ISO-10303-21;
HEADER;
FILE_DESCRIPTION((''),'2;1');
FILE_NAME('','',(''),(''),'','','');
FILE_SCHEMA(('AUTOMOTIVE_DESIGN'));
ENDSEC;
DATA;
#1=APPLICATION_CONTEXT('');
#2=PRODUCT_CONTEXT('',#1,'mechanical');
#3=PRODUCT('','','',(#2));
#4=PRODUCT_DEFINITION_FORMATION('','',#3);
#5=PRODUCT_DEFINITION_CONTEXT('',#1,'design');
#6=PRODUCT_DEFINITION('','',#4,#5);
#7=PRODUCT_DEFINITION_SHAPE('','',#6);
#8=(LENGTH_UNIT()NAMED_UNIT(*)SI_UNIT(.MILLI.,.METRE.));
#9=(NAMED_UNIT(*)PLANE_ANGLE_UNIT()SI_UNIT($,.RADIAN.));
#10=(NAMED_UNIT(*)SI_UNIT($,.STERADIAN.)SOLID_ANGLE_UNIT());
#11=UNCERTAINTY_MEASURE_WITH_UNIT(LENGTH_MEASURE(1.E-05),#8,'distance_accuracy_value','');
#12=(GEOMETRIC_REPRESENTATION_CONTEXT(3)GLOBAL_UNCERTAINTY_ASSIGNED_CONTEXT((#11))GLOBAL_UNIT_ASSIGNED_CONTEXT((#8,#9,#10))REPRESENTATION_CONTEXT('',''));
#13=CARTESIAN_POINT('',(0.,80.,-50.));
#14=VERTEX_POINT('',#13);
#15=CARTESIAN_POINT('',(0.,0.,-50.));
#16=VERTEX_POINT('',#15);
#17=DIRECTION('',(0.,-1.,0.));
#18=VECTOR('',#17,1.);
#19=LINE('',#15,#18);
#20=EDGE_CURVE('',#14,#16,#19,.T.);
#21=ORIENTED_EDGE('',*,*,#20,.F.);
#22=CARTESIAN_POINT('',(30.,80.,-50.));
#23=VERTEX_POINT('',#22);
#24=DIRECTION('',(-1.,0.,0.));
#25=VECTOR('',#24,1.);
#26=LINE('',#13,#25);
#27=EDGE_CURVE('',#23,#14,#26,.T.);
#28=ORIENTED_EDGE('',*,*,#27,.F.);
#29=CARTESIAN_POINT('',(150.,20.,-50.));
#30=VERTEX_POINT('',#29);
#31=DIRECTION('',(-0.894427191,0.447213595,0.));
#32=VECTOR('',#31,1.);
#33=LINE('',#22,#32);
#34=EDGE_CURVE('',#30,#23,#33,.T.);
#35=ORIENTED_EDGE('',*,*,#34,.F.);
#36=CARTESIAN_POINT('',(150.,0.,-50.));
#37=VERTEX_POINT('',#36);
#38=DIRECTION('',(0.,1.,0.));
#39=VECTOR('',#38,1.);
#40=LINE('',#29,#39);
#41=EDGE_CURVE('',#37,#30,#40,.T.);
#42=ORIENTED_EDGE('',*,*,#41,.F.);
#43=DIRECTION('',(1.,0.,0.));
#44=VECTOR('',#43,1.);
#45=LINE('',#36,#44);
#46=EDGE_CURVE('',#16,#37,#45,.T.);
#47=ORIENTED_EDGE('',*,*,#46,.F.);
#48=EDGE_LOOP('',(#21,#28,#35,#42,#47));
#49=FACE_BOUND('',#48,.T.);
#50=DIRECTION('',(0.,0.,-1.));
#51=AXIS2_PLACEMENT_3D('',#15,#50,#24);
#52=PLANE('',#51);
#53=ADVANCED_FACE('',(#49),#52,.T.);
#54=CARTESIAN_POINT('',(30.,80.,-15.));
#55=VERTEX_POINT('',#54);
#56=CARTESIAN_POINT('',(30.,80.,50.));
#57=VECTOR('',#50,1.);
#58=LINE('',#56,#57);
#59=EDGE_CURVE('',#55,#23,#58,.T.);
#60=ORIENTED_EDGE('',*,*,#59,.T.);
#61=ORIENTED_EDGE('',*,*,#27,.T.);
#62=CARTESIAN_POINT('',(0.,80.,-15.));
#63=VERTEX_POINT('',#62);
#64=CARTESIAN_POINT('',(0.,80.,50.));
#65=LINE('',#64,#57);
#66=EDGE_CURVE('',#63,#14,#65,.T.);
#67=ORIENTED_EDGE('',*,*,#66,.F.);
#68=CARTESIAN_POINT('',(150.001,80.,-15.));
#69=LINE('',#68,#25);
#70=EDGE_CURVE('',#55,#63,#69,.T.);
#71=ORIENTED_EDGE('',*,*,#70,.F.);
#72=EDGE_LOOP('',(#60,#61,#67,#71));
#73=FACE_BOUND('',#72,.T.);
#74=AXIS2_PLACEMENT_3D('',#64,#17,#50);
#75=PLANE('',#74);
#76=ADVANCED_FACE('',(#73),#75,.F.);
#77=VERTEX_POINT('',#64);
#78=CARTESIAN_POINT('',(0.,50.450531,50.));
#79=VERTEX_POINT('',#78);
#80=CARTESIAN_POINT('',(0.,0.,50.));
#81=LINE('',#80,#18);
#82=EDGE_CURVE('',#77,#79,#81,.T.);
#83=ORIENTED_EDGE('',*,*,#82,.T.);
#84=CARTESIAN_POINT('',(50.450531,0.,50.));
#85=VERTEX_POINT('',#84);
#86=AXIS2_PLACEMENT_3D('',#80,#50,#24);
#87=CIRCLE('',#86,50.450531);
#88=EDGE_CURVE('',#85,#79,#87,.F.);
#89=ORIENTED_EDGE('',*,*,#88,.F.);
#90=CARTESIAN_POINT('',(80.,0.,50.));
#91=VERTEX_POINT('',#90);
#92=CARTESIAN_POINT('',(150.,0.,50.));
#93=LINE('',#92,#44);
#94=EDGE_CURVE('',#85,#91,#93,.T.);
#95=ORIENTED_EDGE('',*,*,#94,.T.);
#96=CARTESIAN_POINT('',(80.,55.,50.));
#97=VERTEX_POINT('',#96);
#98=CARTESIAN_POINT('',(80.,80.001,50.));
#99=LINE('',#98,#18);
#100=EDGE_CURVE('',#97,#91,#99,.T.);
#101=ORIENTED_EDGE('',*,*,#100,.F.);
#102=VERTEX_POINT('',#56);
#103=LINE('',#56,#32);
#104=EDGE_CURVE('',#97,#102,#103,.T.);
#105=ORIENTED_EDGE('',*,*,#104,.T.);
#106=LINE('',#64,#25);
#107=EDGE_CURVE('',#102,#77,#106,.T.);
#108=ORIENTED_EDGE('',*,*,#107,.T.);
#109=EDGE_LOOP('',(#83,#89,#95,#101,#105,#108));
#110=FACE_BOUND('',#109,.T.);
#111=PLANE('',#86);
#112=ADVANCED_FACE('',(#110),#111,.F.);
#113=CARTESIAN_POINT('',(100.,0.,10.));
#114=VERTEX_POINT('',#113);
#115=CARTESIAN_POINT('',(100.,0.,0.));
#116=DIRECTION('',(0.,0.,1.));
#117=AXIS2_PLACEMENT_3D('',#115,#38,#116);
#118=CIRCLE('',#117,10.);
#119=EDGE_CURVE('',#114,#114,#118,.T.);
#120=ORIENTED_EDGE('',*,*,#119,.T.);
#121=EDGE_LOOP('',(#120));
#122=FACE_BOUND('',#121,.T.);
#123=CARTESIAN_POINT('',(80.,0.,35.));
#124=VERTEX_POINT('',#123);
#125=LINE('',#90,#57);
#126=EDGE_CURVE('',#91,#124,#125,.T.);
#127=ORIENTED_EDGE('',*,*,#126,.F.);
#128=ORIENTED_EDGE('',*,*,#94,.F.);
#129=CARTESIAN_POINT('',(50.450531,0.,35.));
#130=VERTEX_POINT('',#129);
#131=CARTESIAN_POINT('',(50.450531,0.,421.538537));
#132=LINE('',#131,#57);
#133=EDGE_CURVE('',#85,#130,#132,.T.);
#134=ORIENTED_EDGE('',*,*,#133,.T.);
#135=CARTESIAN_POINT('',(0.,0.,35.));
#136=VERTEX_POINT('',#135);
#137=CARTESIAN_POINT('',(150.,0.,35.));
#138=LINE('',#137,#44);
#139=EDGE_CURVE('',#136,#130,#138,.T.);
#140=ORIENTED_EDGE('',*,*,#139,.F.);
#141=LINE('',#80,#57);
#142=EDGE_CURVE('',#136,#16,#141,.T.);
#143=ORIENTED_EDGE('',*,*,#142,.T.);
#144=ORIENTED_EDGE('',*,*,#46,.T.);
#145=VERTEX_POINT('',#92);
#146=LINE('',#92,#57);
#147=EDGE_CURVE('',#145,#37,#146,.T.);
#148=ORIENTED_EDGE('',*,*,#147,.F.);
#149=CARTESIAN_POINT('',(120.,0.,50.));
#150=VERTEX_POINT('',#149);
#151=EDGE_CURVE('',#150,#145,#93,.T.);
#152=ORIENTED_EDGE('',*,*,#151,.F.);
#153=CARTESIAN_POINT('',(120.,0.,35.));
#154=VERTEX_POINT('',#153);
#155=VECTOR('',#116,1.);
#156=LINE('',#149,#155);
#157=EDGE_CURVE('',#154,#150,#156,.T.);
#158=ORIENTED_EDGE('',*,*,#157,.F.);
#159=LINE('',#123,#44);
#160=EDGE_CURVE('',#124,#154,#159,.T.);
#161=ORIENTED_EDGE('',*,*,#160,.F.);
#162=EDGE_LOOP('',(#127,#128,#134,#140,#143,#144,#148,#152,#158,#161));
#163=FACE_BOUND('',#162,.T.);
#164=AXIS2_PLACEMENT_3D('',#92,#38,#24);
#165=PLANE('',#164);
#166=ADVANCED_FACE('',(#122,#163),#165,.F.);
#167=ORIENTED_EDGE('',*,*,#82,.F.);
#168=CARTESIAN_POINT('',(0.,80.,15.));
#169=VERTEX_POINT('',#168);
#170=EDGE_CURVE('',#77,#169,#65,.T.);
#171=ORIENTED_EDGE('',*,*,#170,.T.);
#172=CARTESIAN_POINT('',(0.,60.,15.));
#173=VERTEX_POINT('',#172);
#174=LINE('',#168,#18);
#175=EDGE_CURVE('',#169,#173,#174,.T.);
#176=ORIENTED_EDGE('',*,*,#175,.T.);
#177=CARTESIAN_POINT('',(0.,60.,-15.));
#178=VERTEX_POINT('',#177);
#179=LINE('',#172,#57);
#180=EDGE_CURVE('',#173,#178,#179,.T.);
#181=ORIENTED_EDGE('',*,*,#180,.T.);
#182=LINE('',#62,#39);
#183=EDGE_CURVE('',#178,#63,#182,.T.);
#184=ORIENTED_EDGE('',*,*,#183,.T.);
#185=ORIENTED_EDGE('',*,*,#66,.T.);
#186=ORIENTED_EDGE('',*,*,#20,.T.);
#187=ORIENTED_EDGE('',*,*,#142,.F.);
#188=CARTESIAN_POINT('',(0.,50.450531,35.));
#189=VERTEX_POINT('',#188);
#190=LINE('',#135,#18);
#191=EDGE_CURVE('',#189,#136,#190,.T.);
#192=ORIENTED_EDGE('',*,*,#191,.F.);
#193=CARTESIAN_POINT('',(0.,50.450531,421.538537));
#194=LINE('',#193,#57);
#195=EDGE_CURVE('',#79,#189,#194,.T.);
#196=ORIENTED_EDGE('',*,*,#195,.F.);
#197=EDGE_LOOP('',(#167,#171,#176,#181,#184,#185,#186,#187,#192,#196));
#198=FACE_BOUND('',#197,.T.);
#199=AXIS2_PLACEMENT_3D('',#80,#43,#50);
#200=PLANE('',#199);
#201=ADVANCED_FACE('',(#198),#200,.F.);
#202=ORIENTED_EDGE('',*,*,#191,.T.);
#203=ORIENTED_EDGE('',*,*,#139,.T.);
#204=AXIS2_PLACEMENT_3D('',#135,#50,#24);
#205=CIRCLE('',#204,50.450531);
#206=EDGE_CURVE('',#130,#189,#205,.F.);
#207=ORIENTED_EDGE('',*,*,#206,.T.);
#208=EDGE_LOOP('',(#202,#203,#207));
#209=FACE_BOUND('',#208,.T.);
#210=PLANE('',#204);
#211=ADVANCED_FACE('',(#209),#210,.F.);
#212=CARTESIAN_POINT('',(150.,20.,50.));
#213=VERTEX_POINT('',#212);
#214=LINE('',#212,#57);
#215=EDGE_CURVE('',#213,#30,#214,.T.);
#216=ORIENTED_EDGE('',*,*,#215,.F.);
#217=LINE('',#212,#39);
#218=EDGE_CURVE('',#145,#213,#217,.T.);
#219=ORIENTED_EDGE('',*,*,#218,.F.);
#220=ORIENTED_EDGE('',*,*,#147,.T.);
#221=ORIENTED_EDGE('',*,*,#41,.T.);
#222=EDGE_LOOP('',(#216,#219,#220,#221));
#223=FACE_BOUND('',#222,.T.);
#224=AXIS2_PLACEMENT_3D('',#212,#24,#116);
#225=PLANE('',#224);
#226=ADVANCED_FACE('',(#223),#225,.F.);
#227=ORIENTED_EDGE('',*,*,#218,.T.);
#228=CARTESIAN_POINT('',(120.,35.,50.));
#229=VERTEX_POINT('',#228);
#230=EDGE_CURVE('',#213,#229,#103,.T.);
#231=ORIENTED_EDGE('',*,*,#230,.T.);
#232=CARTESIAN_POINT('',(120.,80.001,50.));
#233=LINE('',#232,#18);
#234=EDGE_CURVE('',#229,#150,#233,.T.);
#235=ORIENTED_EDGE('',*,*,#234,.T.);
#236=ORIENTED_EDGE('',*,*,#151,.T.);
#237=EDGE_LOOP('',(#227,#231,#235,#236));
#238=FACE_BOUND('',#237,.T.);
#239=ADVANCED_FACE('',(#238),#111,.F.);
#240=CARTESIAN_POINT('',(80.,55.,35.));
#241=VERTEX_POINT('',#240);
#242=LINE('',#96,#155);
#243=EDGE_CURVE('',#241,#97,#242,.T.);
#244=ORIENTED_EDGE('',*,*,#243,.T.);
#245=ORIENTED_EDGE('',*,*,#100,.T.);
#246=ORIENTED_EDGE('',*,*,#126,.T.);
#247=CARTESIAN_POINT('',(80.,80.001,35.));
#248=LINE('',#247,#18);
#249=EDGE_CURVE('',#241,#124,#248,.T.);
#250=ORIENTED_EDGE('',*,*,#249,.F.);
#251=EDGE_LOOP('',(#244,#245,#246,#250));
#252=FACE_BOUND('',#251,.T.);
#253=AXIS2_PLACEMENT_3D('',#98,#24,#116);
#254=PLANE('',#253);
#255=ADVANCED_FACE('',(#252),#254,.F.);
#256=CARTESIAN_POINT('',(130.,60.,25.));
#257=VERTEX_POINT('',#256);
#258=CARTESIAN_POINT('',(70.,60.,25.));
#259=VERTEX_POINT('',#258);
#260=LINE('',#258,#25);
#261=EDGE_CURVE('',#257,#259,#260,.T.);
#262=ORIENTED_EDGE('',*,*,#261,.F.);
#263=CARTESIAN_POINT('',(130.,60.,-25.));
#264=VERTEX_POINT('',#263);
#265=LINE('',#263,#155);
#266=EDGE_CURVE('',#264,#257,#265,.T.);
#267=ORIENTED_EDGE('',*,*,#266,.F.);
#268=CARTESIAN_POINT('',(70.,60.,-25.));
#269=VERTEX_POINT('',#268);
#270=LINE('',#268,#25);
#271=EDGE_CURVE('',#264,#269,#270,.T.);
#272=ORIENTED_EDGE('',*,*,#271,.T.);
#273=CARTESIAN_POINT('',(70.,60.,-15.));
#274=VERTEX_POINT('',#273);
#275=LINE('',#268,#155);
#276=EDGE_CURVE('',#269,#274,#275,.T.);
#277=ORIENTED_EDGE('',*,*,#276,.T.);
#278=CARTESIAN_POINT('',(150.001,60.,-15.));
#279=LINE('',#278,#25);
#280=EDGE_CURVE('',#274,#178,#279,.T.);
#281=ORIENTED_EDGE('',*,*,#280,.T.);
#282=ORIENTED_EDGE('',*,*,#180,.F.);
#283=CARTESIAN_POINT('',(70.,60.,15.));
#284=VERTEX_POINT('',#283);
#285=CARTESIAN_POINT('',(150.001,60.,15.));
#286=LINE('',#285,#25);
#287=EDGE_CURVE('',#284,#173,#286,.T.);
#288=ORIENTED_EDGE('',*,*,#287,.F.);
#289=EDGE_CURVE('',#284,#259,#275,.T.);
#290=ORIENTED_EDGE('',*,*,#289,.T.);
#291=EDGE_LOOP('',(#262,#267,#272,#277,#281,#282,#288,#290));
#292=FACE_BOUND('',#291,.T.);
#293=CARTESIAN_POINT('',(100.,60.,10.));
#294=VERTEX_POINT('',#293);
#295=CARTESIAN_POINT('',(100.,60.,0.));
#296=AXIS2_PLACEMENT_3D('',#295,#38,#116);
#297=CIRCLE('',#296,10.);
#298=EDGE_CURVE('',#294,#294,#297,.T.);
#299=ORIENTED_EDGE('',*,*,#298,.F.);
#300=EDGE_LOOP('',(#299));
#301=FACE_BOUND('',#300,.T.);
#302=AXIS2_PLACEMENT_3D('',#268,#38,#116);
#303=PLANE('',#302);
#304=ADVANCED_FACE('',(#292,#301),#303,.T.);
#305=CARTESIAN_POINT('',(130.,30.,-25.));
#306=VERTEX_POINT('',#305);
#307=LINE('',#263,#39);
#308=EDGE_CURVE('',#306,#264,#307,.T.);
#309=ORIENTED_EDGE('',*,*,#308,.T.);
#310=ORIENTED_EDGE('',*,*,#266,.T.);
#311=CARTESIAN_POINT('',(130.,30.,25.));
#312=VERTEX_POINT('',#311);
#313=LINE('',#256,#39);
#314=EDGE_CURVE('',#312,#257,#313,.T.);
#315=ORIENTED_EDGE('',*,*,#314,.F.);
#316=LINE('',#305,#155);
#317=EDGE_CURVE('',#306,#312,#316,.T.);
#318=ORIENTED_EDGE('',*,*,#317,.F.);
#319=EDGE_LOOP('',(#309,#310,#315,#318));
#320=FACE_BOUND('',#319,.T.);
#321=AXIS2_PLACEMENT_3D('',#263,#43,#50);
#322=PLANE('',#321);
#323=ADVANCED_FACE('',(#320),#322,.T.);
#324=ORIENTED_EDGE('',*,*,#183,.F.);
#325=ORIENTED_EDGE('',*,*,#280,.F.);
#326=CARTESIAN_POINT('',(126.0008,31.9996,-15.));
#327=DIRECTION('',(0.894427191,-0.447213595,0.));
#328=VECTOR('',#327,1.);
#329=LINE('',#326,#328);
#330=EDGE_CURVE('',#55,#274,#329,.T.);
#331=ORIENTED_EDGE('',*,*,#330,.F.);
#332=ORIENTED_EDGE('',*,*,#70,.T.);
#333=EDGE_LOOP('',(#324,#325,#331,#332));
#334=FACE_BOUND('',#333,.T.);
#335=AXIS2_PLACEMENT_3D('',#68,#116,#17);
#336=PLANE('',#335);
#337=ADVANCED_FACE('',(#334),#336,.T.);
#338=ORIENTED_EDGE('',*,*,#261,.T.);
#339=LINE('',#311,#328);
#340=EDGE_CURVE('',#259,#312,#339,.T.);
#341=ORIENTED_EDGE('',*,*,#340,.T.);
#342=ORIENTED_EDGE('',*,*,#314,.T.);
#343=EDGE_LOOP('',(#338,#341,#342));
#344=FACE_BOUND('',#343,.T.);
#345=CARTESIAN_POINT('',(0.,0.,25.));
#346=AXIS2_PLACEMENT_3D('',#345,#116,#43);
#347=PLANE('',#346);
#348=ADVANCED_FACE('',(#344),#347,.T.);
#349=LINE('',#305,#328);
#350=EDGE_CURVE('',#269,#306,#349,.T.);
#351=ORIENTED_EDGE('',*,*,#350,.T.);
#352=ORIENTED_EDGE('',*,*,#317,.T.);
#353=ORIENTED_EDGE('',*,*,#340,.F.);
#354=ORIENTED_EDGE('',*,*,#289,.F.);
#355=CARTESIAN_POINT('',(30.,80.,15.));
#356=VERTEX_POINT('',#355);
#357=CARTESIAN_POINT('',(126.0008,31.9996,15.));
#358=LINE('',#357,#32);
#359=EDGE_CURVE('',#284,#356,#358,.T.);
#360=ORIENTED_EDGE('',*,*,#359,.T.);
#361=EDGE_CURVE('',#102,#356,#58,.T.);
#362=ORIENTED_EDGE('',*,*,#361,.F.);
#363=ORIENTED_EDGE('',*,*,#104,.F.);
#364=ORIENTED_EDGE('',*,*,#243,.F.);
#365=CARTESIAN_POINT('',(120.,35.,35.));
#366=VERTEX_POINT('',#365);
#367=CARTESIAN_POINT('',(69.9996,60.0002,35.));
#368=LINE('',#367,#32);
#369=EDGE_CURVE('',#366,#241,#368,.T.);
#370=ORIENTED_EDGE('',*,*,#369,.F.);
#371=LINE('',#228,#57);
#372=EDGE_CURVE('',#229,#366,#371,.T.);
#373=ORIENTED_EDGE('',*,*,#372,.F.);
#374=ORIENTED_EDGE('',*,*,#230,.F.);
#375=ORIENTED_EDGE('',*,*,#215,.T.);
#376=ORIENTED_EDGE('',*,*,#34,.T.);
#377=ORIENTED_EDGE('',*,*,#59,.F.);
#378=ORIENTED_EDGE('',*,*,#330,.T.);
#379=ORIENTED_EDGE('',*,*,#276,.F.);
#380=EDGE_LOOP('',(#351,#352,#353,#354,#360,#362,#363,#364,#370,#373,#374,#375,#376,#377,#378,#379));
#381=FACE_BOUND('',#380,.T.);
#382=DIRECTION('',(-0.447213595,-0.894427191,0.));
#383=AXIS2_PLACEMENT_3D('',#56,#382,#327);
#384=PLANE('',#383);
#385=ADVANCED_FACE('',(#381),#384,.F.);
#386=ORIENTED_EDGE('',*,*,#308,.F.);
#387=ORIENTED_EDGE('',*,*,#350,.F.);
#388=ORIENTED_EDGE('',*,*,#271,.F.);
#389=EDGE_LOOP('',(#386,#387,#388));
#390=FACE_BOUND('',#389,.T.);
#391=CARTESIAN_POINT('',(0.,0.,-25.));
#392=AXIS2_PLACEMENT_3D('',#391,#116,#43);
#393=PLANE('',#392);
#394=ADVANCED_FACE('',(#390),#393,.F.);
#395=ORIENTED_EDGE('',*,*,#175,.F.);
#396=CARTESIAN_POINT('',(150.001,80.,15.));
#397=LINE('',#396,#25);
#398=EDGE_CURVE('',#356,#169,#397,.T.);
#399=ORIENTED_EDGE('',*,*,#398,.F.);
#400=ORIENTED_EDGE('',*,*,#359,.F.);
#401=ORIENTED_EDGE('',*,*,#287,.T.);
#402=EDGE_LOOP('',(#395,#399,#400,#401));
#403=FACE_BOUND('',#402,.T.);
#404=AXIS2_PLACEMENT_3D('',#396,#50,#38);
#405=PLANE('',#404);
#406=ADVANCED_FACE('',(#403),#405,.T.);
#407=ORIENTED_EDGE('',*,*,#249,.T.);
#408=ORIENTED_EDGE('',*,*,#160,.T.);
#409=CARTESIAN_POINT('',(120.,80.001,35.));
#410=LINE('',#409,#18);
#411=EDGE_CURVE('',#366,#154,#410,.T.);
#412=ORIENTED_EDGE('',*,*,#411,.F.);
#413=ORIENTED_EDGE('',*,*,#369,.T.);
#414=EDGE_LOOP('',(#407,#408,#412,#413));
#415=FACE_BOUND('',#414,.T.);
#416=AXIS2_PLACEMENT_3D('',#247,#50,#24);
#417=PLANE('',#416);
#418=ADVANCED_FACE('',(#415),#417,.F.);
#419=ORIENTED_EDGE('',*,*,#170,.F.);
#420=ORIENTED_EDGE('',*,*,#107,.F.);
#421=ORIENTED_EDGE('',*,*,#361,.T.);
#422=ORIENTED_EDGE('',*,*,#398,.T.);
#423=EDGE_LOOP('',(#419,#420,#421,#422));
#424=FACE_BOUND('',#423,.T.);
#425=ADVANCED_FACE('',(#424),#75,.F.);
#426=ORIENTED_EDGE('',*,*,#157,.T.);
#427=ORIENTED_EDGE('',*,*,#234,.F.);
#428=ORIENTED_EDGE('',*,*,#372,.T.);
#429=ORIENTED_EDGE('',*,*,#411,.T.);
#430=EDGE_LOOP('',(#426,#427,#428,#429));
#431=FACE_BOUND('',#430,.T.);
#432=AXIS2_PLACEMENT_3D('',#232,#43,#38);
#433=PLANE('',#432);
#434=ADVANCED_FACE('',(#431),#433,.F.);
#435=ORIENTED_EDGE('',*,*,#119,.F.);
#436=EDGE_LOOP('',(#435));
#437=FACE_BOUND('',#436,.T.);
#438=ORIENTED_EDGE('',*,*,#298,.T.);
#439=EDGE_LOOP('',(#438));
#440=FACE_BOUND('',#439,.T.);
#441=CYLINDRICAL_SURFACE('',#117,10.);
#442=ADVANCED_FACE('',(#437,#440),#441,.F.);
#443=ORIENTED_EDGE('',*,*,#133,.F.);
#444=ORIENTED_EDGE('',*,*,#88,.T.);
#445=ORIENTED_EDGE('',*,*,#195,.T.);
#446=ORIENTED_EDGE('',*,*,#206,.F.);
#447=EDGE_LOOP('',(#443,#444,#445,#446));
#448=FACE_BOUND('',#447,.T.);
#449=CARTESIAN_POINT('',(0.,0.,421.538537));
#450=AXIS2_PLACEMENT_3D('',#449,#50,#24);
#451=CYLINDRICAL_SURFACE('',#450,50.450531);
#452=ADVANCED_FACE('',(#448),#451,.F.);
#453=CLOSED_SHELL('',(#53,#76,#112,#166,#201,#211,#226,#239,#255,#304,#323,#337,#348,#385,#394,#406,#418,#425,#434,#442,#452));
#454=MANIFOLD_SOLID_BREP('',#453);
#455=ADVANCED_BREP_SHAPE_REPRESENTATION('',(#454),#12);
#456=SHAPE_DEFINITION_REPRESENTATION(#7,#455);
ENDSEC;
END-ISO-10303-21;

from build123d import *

# Parameters (mm, degrees)
BOSS_EXTRUDE1_DEPTH      = 50
BOSS_EXTRUDE1_DEPTH_BACK = 50
CUT_EXTRUDE2_DEPTH       = 198.230829233
CUT_EXTRUDE2_DEPTH_BACK  = 15
BOSS_EXTRUDE2_DEPTH      = 25
BOSS_EXTRUDE2_DEPTH_BACK = 25
SKETCH8_R                = 10
CUT_EXTRUDE3_DEPTH       = 170.115345253
CUT_EXTRUDE5_REACH       = 179.2
SKETCH11_W               = 30
SKETCH11_H               = 20
CUT_EXTRUDE8_REACH       = 179.2
SKETCH14_W               = 40
SKETCH14_H               = 15


with BuildPart() as part:
    # Sketch1 → Boss-Extrude1 (new, two sides: drawn at the far end of the back side and taken through both)
    with BuildSketch(Plane.XY.offset(-BOSS_EXTRUDE1_DEPTH_BACK)):
        Polygon((0, 0), (0, 80), (30, 80), (150, 20), (150, 0), align=None)
    extrude(amount=BOSS_EXTRUDE1_DEPTH + BOSS_EXTRUDE1_DEPTH_BACK)

    # Sketch6 → Cut-Extrude2 (cut, two sides: drawn at the far end of the back side and taken through both)
    with BuildSketch(Plane.XY.offset(50).offset(-CUT_EXTRUDE2_DEPTH_BACK)):
        with BuildLine():
            Line((-326.513861399, 50.45053136), (0, 50.45053136))
            ThreePointArc((0, 50.45053136), (35.673912839, 35.673912839), (50.45053136, 0))
            Line((50.45053136, 0), (50.45053136, -326.513861399))
            Line((50.45053136, -326.513861399), (-411.309799734, -788.274192493))
            Line((-411.309799734, -788.274192493), (-788.274192493, -411.309799734))
            Line((-788.274192493, -411.309799734), (-326.513861399, 50.45053136))
        make_face()
    extrude(amount=CUT_EXTRUDE2_DEPTH + CUT_EXTRUDE2_DEPTH_BACK, mode=Mode.SUBTRACT)

    # Sketch7 → Boss-Extrude2 (add, two sides: drawn at the far end of the back side and taken through both)
    with BuildSketch(Plane.XY.offset(-BOSS_EXTRUDE2_DEPTH_BACK)):
        Polygon((70, 60), (130, 60), (130, 30), align=None)
    extrude(amount=BOSS_EXTRUDE2_DEPTH + BOSS_EXTRUDE2_DEPTH_BACK)

    # Sketch8 → Cut-Extrude3 (cut, through all)
    with BuildSketch(Plane(origin=(0, 60, 0), x_dir=(1, 0, 0), z_dir=(0, 1, 0))):
        with Locations(Location((100, 0, 0), (0, 0, 270))):
            Circle(SKETCH8_R)
    extrude(amount=-CUT_EXTRUDE3_DEPTH, mode=Mode.SUBTRACT)

    # Cut-Extrude5: up to this plane
    cut_extrude5_end = Plane(origin=(30, 80, 50), z_dir=(-0.447213595499958, -0.894427190999916, 0))
    # Sketch11 → Cut-Extrude5 (cut, up to the surface)
    with BuildSketch(Plane(origin=(0, 0, 0), x_dir=(0, 0, -1), z_dir=(1, 0, 0)), mode=Mode.PRIVATE) as cut_extrude5_sk1:
        with Locations((0, 70)):
            Rectangle(SKETCH11_W, SKETCH11_H)
    cut_extrude5_tool1 = split(extrude(cut_extrude5_sk1.sketch, amount=CUT_EXTRUDE5_REACH, mode=Mode.PRIVATE), bisect_by=cut_extrude5_end, keep=Keep.BOTH, mode=Mode.PRIVATE)
    add(cut_extrude5_tool1.solids().sort_by_distance((0, 70, 0))[0], mode=Mode.SUBTRACT)

    # Cut-Extrude8: up to this plane
    cut_extrude8_end = Plane(origin=(30, 80, 50), z_dir=(-0.447213595499958, -0.894427190999916, 0))
    # Sketch14 → Cut-Extrude8 (cut, up to the surface)
    with BuildSketch(Plane.XZ, mode=Mode.PRIVATE) as cut_extrude8_sk1:
        with Locations((100, 42.5)):
            Rectangle(SKETCH14_W, SKETCH14_H)
    cut_extrude8_tool1 = split(extrude(cut_extrude8_sk1.sketch, amount=-CUT_EXTRUDE8_REACH, mode=Mode.PRIVATE), bisect_by=cut_extrude8_end, keep=Keep.BOTH, mode=Mode.PRIVATE)
    add(cut_extrude8_tool1.solids().sort_by_distance((100, 0, 42.5))[0], mode=Mode.SUBTRACT)


solid = part.part
